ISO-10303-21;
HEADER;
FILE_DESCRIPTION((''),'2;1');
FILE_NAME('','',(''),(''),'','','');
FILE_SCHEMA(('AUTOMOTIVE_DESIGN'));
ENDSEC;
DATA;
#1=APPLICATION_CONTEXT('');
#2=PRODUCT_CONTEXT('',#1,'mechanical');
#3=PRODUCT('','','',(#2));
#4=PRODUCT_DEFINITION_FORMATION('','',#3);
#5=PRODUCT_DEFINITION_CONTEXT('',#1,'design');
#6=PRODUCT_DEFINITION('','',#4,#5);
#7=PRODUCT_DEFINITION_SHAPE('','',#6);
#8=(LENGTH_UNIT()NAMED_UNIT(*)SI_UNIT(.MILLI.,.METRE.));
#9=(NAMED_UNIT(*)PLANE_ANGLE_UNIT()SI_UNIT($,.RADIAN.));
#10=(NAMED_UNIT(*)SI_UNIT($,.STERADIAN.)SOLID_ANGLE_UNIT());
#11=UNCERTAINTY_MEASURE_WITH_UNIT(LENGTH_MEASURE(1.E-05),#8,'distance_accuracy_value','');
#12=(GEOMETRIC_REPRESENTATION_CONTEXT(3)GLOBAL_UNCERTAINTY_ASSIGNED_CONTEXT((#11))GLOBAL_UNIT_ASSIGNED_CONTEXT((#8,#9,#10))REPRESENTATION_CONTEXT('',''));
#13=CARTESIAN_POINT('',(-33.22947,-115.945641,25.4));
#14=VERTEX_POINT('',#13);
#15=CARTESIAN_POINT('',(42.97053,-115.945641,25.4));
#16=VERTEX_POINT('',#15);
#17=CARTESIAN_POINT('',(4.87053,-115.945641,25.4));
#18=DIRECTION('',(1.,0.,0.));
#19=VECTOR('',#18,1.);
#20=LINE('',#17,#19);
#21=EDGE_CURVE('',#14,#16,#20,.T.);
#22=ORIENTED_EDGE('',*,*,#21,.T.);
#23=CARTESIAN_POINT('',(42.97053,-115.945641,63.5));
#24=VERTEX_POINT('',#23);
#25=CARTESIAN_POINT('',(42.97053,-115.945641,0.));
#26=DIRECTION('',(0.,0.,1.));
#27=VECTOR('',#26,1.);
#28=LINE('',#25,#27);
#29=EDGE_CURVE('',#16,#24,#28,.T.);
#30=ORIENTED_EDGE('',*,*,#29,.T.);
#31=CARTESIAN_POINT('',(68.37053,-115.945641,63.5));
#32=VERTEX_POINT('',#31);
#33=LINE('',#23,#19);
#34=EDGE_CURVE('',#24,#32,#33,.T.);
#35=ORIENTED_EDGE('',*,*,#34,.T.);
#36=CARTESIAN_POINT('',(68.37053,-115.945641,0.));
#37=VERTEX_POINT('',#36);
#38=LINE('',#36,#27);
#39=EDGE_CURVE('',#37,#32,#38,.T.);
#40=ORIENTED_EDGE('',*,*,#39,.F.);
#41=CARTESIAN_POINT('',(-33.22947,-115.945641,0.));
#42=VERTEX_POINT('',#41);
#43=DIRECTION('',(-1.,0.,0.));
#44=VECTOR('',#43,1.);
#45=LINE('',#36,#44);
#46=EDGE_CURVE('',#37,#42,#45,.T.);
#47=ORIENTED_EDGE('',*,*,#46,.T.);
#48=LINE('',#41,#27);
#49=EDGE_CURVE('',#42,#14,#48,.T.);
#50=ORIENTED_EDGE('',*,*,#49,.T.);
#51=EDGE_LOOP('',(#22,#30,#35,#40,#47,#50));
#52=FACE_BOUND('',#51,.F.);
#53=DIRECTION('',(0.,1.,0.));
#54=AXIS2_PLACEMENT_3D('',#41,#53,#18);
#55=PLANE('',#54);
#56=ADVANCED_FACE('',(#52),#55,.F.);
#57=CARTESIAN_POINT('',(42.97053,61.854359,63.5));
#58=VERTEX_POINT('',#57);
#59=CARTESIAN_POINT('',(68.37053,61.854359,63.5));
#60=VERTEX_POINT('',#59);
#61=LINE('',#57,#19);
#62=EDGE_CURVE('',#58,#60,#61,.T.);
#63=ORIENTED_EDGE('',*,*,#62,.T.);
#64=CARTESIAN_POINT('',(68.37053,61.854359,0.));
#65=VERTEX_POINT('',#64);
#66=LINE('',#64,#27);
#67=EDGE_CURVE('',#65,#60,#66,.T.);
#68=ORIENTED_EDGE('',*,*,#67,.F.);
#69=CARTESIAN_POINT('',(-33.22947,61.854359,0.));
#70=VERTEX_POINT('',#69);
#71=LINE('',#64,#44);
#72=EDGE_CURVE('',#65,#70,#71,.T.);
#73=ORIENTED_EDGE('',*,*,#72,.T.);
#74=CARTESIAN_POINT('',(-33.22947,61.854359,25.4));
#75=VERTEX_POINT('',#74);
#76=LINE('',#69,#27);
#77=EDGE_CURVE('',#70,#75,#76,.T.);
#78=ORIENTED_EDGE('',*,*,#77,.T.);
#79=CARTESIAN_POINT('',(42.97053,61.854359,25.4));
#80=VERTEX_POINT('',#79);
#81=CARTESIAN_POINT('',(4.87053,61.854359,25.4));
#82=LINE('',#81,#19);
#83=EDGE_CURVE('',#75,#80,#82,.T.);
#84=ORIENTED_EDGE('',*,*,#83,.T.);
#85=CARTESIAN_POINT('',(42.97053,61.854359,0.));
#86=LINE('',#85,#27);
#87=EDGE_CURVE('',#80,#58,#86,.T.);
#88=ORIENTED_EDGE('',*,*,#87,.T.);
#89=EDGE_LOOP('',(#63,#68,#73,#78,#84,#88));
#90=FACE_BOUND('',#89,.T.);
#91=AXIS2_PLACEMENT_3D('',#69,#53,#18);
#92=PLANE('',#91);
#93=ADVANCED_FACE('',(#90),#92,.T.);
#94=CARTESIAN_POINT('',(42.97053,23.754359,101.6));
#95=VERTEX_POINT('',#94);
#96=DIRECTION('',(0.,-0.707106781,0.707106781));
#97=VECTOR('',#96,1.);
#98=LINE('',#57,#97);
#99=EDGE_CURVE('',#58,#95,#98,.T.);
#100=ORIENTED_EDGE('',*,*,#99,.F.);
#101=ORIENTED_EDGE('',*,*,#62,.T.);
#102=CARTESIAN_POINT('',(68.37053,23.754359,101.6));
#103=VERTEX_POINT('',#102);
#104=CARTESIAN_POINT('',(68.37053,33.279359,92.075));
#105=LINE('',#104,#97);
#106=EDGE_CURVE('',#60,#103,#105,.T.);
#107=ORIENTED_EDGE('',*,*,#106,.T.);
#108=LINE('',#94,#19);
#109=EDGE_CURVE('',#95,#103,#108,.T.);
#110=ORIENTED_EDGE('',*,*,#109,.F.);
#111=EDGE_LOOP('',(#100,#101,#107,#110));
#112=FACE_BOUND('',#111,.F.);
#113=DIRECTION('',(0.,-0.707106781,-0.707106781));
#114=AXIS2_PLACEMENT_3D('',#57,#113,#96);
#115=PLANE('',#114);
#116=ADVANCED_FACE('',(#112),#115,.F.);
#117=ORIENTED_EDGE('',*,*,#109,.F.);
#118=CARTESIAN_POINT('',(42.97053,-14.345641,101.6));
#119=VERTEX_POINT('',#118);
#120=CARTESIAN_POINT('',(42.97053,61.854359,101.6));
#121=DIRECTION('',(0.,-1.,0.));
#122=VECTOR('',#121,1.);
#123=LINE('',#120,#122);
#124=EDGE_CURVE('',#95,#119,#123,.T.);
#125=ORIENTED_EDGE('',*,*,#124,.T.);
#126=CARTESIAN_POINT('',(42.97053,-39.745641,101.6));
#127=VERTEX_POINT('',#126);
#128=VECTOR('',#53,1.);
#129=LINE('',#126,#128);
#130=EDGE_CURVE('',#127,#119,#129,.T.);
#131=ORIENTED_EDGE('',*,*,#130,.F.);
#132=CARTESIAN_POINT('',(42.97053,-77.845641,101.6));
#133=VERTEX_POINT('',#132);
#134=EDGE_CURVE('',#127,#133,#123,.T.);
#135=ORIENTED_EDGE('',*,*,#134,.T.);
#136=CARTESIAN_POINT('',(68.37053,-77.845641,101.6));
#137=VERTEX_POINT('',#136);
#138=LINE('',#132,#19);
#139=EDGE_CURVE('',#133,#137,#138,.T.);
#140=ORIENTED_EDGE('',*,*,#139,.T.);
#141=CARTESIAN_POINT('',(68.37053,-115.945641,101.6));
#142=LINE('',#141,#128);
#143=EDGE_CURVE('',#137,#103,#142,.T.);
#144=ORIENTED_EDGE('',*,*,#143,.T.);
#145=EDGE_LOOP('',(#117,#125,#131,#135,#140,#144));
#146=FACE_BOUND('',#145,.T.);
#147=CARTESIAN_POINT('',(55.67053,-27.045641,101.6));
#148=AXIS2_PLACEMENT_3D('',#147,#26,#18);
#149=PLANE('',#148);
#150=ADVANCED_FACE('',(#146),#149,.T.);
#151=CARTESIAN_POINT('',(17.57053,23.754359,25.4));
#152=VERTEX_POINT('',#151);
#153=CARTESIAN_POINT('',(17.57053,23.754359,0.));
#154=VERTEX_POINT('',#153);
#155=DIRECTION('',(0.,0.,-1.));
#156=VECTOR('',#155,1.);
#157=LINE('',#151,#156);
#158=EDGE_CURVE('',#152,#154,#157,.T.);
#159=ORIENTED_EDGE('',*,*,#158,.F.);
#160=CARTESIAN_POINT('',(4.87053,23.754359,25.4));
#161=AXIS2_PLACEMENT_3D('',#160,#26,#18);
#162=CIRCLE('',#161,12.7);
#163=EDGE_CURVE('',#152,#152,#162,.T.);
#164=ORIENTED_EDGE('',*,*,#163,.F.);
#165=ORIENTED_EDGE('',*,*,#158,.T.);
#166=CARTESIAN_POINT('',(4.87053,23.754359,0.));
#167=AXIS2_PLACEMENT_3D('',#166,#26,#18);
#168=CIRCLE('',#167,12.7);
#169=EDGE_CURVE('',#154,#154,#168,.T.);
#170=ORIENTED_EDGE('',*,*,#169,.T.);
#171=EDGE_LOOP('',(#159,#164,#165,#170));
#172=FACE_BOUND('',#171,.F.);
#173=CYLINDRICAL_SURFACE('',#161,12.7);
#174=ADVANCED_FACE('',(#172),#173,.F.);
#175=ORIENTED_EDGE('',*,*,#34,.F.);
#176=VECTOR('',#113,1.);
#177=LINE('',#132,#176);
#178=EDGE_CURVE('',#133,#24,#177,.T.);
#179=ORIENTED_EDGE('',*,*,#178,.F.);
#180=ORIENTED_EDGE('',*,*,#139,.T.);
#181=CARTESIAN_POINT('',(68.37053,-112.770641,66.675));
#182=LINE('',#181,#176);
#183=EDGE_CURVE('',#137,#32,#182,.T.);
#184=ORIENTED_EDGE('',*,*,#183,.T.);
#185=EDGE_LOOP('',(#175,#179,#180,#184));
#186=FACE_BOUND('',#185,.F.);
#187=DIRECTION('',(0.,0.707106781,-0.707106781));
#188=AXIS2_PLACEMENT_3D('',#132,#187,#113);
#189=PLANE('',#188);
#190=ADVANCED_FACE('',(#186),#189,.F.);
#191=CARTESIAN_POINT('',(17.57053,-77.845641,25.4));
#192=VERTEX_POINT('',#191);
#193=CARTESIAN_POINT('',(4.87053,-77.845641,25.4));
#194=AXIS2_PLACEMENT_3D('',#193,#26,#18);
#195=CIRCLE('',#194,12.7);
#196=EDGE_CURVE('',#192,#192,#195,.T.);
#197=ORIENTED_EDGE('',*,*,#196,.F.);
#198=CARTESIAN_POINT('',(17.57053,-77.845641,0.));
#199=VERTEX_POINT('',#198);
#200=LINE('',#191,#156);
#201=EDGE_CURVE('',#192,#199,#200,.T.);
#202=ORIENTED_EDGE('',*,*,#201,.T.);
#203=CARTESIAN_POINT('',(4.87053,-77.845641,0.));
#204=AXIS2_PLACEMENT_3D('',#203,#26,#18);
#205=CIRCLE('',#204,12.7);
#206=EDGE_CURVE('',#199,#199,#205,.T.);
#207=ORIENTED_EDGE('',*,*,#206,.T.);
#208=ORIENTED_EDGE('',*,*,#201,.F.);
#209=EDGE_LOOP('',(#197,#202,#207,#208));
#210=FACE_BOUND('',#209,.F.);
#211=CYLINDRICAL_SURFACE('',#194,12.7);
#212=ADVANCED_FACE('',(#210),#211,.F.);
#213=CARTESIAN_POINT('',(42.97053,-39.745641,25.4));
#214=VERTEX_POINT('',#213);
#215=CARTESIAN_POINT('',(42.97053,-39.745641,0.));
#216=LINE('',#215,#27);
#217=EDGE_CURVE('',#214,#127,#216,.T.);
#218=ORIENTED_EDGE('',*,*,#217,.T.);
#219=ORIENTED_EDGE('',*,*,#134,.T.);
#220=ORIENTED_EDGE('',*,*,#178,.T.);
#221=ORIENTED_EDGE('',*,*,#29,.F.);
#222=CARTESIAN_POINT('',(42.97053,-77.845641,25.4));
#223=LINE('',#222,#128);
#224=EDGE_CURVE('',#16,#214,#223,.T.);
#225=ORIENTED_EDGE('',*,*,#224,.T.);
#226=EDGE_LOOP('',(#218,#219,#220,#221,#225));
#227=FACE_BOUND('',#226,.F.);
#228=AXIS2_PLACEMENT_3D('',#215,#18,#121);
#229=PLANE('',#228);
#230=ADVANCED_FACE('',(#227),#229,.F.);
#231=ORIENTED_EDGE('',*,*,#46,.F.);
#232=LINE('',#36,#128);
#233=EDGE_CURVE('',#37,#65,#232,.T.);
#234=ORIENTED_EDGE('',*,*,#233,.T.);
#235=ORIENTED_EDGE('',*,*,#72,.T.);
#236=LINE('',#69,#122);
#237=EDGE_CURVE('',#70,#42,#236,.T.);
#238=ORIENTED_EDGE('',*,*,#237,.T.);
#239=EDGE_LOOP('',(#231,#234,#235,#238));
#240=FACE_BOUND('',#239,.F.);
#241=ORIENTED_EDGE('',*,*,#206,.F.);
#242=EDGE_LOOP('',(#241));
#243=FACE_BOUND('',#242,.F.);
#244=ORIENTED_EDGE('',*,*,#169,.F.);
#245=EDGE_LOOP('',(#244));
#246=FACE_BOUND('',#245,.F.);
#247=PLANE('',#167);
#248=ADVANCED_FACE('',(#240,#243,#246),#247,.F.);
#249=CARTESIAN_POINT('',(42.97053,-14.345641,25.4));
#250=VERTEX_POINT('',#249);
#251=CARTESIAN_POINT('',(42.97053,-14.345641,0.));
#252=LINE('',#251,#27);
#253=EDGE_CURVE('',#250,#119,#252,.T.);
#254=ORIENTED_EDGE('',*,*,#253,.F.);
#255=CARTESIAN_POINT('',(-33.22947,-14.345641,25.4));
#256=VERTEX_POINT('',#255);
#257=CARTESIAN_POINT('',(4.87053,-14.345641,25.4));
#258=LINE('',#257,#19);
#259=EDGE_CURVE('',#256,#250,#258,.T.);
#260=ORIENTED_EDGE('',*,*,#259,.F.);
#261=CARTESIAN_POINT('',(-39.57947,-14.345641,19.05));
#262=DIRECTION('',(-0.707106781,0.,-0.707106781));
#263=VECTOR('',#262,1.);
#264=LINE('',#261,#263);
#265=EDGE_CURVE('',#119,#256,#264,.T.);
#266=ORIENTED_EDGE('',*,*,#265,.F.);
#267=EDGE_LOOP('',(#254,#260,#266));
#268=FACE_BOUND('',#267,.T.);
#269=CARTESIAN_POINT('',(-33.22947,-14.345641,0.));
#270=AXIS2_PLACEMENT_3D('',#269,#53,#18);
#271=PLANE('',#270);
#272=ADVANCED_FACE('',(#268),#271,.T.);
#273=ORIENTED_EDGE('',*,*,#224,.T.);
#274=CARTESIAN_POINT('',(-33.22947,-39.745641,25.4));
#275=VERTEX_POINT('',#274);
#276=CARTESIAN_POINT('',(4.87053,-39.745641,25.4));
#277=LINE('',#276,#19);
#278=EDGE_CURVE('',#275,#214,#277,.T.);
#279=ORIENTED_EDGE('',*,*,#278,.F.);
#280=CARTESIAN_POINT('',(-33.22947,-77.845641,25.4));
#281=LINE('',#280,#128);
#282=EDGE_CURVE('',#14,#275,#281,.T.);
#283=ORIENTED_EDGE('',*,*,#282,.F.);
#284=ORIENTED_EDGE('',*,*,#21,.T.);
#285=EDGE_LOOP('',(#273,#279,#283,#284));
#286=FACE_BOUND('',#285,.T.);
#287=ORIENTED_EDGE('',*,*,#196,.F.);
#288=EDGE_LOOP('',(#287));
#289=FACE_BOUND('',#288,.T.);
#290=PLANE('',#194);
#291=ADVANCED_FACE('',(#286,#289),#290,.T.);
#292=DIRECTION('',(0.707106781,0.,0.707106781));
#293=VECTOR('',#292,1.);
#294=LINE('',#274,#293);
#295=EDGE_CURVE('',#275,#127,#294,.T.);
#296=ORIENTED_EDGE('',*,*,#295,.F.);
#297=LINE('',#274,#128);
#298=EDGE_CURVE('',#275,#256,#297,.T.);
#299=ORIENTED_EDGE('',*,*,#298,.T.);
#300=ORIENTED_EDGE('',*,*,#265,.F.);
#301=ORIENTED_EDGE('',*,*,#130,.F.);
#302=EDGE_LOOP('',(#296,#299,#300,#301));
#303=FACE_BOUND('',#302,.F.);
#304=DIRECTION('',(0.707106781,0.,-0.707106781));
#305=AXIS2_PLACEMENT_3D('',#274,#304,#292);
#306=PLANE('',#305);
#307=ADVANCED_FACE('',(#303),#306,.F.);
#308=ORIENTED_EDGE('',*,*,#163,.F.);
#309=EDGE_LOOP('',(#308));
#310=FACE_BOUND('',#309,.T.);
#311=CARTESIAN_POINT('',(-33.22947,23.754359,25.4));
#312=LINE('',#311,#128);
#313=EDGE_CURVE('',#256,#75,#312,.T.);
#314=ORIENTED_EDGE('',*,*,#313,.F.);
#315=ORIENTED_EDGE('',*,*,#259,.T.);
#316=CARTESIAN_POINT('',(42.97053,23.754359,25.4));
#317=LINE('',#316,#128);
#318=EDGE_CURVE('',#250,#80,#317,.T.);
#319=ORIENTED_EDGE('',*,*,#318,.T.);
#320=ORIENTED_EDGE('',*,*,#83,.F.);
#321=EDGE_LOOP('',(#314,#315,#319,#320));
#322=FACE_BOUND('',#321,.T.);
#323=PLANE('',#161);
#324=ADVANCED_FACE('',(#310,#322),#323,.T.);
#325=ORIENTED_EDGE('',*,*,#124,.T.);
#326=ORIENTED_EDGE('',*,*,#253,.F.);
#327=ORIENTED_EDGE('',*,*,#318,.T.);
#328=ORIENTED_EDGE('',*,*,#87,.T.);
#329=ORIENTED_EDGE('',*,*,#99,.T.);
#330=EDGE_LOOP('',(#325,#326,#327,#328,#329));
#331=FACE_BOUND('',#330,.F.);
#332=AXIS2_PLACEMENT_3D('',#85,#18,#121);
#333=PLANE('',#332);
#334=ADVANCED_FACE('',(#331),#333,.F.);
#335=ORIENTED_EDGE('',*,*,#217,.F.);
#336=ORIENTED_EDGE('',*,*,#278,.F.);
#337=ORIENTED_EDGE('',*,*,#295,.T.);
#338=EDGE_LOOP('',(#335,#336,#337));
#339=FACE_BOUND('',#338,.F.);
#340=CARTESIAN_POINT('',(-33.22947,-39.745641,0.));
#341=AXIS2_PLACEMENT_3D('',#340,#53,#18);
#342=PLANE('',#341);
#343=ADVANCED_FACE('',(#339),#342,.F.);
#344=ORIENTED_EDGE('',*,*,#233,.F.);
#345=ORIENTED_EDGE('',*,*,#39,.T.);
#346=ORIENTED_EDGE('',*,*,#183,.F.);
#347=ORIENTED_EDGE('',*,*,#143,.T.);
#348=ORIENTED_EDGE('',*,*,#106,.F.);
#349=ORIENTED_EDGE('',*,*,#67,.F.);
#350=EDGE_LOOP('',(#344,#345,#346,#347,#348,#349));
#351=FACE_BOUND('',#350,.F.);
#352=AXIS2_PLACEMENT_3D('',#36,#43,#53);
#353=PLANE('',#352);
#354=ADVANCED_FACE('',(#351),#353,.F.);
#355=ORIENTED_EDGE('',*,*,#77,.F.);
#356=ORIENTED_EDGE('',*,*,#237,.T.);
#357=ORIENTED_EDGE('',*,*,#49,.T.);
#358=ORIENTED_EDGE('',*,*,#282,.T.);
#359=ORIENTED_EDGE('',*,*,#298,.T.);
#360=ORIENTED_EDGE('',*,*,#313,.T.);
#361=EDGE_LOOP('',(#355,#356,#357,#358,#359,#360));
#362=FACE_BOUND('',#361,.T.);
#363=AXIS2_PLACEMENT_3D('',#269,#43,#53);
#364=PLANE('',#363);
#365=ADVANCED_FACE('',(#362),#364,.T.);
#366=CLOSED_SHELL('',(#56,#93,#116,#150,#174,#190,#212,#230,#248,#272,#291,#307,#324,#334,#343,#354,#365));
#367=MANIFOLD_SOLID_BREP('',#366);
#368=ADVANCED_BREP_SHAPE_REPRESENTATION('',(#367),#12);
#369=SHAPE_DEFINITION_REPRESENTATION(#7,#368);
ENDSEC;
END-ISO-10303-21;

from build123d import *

# Parameters (mm, degrees)
F0_W      = 76.2
F0_H      = 25.4
F1_DEPTH  = 101.6
F0_H_2    = 76.2
F2_DEPTH  = 25.4
F4_DEPTH  = 101.601
F7_DEPTH  = 25.401
F9_R      = 12.7
F8_R      = 12.7
F10_DEPTH = 25.401


with BuildPart() as f1:
    # F0 (on Top) → F1 (new body)
    with BuildSketch(Plane.XY):
        Polygon((68.37053, 61.854359), (42.97053, 61.854359), (42.97053, -14.345641), (42.97053, -39.745641), (42.97053, -115.945641), (68.37053, -115.945641), align=None)
        with Locations((4.87053, -27.045641)):
            Rectangle(F0_W, F0_H)
    extrude(amount=F1_DEPTH)

    # F0 (on Top) → F2 (join)
    with BuildSketch(Plane.XY):
        with Locations((4.87053, 23.754359)):
            Rectangle(F0_W, F0_H_2)
        with Locations((4.87053, -77.845641)):
            Rectangle(F0_W, F0_H_2)
    extrude(amount=F2_DEPTH)

    # F3 (on face) → F4 (cut, through all)
    with BuildSketch(Plane.XZ.offset(39.745641)):
        Polygon((-33.22947, 101.6), (-33.22947, 25.4), (42.97053, 101.6), align=None)
    extrude(amount=-F4_DEPTH, mode=Mode.SUBTRACT)

    # F6 (on face) + F5 (on face) → F7 (cut, through all)
    with BuildSketch(Plane(origin=(42.97053, 0, 0), x_dir=(0, -1, 0), z_dir=(-1, 0, 0))):
        Polygon((-61.854359, 63.5), (-23.754359, 101.6), (-61.854359, 101.6), align=None)
    with BuildSketch(Plane(origin=(42.97053, 0, 0), x_dir=(0, -1, 0), z_dir=(-1, 0, 0))):
        Polygon((115.945641, 101.6), (77.845641, 101.6), (115.945641, 63.5), align=None)
    extrude(amount=-F7_DEPTH, mode=Mode.SUBTRACT)

    # F9 (on face) + F8 (on face) → F10 (cut, through all)
    with BuildSketch(Plane.XY.offset(25.4)):
        with Locations((4.87053, 23.754359)):
            Circle(F9_R)
    with BuildSketch(Plane.XY.offset(25.4)):
        with Locations((4.87053, -77.845641)):
            Circle(F8_R)
    extrude(amount=-F10_DEPTH, mode=Mode.SUBTRACT)


solid = f1.part
